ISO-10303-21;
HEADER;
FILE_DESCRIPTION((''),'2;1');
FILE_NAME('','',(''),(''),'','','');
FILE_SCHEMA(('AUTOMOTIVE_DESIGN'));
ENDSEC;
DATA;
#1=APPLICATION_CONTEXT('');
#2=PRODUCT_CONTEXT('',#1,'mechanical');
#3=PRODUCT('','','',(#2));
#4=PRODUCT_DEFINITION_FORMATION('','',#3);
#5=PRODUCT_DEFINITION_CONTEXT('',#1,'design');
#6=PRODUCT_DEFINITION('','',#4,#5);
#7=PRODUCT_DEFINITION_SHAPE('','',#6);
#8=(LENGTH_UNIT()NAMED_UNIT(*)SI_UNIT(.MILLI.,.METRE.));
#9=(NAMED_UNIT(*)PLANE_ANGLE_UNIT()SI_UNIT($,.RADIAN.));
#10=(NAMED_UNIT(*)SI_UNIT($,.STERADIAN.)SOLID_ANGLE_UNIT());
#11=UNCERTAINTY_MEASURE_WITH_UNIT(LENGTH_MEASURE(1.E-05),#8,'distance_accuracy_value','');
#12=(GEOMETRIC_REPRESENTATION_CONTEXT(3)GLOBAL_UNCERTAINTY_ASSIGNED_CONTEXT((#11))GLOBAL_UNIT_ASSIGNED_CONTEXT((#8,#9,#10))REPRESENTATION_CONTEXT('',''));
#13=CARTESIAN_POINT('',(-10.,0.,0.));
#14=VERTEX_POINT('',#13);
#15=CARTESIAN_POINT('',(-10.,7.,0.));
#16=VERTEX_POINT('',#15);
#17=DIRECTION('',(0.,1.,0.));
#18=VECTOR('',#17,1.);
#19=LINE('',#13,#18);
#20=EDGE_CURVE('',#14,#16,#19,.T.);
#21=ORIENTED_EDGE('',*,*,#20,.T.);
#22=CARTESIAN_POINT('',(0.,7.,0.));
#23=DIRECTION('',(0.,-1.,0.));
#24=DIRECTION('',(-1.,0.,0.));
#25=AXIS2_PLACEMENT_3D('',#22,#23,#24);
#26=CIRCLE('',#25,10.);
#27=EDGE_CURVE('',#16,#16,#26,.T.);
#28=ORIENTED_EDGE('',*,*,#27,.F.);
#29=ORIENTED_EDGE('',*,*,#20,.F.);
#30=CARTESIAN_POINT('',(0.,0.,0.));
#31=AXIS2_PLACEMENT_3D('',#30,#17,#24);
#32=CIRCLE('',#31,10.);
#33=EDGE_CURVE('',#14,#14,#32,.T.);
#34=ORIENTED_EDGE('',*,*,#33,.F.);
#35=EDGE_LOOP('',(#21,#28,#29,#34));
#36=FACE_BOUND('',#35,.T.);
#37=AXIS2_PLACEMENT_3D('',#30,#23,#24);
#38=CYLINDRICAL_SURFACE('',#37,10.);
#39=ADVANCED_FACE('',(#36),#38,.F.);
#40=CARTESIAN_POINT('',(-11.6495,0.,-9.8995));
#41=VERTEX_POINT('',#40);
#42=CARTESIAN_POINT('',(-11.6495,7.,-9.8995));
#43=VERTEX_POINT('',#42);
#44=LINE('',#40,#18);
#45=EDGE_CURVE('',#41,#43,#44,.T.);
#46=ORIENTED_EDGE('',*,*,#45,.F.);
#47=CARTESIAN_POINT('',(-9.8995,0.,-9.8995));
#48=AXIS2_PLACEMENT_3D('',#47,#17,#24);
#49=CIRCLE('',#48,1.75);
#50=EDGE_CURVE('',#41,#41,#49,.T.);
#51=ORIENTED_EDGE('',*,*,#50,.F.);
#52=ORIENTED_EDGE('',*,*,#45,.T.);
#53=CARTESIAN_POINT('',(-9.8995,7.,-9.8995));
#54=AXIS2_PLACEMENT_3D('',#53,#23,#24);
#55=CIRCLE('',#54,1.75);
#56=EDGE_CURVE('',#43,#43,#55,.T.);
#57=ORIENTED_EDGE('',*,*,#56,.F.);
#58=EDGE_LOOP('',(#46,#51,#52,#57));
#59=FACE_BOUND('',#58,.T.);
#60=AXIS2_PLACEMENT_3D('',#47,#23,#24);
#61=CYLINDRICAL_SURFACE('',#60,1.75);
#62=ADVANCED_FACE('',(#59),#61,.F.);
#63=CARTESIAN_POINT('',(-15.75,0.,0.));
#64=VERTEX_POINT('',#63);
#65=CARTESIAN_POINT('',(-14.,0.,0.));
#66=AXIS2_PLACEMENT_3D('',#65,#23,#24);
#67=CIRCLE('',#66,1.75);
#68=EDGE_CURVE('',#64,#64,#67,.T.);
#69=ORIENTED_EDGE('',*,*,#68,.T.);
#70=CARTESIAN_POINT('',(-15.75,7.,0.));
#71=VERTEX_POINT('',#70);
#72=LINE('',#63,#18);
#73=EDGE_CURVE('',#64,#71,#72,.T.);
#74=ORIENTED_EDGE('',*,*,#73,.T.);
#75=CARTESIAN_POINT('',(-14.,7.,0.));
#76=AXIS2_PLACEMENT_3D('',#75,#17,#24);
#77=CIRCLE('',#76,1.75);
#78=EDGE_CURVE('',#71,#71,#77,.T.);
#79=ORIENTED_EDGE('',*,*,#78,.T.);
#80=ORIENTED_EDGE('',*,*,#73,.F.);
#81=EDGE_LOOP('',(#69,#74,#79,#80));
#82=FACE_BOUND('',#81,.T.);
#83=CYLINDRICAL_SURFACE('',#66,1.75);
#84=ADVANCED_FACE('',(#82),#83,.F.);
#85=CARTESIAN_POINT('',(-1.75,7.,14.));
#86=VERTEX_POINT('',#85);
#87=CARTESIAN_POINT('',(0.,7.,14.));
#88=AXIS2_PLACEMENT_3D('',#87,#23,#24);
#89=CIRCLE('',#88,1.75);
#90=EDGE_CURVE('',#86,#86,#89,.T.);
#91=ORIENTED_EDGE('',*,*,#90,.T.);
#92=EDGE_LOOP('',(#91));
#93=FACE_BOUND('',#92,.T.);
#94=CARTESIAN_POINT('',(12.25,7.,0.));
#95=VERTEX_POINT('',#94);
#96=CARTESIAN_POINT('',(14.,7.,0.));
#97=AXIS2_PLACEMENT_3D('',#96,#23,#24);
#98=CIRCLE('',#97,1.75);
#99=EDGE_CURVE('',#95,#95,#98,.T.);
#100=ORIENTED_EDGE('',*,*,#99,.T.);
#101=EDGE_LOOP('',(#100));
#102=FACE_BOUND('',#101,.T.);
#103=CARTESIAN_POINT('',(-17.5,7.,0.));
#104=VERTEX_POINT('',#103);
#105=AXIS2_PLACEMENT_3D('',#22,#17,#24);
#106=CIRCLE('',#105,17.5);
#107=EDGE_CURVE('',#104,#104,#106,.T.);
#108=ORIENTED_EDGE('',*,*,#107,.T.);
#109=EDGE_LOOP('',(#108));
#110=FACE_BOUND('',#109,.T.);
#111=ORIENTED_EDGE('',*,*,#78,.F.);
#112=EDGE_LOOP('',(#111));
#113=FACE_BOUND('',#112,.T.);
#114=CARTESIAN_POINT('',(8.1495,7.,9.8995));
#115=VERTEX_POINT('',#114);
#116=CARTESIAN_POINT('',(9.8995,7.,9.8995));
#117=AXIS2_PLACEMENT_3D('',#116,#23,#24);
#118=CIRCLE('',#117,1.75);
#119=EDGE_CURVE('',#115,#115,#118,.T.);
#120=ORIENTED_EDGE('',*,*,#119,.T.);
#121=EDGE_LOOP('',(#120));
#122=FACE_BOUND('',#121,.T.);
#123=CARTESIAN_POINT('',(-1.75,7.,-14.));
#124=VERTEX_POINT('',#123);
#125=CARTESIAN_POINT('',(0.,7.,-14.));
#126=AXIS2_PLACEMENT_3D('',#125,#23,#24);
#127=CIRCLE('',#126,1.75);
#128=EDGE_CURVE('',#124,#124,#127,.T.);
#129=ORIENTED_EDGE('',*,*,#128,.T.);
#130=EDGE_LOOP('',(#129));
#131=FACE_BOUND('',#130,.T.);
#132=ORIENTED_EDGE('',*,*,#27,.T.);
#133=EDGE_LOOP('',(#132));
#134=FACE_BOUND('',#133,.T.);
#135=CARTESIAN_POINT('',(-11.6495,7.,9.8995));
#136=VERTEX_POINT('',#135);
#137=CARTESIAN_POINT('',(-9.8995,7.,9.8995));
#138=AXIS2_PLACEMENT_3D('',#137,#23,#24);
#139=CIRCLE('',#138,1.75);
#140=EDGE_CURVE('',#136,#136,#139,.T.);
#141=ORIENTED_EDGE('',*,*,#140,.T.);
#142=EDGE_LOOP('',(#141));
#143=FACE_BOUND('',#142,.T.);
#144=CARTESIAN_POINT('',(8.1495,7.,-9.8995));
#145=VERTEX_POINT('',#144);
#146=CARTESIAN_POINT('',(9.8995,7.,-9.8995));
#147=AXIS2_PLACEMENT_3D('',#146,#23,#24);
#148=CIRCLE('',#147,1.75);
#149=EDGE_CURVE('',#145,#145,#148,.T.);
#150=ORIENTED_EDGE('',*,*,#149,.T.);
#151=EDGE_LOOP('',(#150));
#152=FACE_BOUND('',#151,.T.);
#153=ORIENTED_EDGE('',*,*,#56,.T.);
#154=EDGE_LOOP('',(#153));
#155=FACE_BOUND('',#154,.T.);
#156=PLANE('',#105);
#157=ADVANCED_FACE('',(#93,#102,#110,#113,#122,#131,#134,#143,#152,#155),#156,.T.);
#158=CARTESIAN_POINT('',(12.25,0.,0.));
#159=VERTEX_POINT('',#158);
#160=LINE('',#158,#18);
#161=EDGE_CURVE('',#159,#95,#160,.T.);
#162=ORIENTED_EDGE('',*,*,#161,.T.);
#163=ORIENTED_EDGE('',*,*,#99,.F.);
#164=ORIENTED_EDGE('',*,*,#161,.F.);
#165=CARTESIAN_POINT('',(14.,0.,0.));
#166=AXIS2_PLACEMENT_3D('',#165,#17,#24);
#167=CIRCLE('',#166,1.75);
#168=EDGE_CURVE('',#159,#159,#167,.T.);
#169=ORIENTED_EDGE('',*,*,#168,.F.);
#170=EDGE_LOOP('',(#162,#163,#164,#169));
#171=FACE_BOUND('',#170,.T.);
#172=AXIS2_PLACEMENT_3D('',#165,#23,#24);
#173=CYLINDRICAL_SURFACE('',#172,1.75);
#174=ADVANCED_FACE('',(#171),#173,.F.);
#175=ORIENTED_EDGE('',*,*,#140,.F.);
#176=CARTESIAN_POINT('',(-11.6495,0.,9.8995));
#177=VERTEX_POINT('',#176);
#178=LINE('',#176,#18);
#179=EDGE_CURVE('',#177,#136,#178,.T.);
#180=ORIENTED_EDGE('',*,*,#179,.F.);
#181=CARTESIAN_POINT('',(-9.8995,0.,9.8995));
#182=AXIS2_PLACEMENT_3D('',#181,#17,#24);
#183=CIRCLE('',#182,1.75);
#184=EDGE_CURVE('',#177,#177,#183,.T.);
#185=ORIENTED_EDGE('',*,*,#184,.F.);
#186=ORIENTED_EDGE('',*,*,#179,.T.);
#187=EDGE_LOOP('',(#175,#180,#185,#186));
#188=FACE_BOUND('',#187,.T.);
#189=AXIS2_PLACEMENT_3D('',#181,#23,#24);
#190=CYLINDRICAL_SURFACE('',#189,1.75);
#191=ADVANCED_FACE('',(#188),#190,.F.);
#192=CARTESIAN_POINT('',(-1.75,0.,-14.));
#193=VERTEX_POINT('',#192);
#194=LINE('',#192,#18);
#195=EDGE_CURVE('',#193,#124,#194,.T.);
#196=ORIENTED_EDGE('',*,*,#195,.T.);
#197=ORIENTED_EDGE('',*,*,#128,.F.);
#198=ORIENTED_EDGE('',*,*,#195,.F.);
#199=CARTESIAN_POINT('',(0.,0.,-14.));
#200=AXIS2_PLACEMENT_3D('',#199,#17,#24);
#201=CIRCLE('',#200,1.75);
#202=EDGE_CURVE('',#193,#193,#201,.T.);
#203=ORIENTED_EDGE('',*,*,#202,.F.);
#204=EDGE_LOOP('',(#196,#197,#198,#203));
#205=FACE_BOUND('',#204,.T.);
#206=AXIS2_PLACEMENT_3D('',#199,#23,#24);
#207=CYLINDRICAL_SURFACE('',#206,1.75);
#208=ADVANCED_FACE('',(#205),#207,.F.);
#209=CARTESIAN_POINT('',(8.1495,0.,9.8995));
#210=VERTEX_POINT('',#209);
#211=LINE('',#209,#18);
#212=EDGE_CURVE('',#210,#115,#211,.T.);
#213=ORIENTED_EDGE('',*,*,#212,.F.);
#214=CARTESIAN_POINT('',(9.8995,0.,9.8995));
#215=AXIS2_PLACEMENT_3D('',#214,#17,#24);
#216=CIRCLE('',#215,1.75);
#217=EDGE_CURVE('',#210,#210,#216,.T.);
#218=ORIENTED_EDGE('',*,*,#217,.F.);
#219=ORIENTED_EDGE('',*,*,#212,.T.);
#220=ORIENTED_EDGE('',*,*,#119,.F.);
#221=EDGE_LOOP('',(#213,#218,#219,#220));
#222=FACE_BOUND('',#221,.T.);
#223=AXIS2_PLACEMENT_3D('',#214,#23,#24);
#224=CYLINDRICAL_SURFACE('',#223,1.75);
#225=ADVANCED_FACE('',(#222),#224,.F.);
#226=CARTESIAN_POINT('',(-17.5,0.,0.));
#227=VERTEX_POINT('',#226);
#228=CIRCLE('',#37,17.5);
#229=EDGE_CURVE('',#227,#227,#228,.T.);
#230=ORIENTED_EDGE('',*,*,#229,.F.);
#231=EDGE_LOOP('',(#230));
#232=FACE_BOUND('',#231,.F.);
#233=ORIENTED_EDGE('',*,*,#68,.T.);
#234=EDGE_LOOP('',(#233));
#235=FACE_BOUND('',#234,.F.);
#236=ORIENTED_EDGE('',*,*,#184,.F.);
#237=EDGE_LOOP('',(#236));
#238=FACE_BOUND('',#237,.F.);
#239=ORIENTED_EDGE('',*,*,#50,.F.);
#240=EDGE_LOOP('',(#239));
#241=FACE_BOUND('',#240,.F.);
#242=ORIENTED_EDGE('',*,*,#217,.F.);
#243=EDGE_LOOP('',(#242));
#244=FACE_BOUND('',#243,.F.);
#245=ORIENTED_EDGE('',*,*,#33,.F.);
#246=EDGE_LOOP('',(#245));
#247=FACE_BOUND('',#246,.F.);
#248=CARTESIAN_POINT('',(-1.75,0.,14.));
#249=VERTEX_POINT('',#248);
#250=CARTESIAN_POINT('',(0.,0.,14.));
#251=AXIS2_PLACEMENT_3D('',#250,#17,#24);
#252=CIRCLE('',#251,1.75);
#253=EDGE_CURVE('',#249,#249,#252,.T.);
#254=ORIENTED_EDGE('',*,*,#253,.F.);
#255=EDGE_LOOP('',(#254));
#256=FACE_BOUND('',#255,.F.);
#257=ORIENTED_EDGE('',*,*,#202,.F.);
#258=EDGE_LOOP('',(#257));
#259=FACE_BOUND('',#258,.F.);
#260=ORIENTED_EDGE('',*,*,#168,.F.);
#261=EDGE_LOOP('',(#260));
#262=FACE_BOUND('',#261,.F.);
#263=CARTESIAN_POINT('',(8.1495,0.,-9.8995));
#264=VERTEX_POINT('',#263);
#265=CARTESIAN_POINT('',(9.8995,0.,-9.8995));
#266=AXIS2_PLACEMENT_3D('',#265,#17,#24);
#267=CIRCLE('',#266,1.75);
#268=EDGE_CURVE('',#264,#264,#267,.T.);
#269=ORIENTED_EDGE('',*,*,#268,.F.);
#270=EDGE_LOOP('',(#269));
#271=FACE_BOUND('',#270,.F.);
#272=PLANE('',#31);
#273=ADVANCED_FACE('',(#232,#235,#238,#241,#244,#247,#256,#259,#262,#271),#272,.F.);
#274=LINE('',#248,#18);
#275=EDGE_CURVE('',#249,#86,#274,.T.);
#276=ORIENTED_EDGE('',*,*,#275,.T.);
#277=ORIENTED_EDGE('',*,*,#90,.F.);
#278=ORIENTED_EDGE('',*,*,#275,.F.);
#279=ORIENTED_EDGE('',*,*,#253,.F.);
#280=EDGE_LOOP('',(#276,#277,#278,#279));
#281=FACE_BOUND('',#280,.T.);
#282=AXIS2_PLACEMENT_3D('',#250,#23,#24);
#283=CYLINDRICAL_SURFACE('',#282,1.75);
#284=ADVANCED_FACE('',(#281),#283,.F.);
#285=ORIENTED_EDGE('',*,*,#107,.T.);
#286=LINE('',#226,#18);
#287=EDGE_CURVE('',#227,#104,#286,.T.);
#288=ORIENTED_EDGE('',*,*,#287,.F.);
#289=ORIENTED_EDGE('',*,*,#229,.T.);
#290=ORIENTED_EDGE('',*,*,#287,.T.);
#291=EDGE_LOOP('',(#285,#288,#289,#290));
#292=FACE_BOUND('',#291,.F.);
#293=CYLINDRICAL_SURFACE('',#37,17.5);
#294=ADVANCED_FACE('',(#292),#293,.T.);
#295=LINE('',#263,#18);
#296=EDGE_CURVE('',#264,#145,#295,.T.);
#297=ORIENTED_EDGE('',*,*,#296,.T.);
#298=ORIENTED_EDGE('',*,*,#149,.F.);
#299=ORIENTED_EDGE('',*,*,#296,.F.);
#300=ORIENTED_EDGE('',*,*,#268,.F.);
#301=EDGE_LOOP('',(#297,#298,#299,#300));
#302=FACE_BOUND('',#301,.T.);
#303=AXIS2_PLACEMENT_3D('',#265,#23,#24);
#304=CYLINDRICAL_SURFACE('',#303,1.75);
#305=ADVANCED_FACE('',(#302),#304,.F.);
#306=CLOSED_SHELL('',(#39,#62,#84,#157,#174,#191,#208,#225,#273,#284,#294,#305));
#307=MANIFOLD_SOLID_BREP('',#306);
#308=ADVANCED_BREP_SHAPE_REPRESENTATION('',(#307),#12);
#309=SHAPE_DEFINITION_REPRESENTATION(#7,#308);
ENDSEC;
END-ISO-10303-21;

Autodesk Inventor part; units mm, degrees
ref_plane "YZ Plane" through (0, 0, 0) normal (1, 0, 0) x (0, 1, 0)
ref_plane "XZ Plane" through (0, 0, 0) normal (0, 1, 0) x (-1, 0, 0)
ref_plane "XY Plane" through (0, 0, 0) normal (0, 0, 1) x (1, 0, 0)
sketch "Szkic1" plane through (0, 0, 0) normal (0, 1, 0) x (-1, 0, 0)
  circle A0 centre (0, 0) radius 10
  circle A1 centre (0, 0) radius 17.5
  line L0 (0, 17.5) -> (0, -17.5)
  line L1 (-17.5, 0) -> (17.5, 0)
  circle A2 centre (2.5, 2.5) radius 0.5
  circle A3 centre (2.5, -2.5) radius 0.5
  circle A4 centre (-2.5, 2.5) radius 0.5
  circle A5 centre (-2.5, -2.5) radius 0.5
  circle A6 centre (0, 14) radius 1.75
  circle A7 centre (0, -14) radius 1.75
  circle A8 centre (14, 0) radius 1.75
  circle A9 centre (-14, 0) radius 1.75
  line L2 (-2.5, -2.5) -> (-12.3744, -12.3744)
  line L3 (2.5, 2.5) -> (12.3744, 12.3744)
  line L4 (2.5, -2.5) -> (12.3744, -12.3744)
  line L5 (-2.5, 2.5) -> (-12.3744, 12.3744)
  circle A10 centre (9.8995, 9.8995) radius 1.75
  circle A11 centre (-9.8995, -9.8995) radius 1.75
  line L6 (-2.5, 2.5) -> (2.5, -2.5)
  line L7 (2.5, 2.5) -> (-2.5, -2.5)
  circle A12 centre (-9.8995, 9.8995) radius 1.75
  circle A13 centre (9.8995, -9.8995) radius 1.75
  dimension "d1" = 35
  dimension "d0" = 20
  dimension "d2" = 1
  dimension "d3" = 5
  dimension "d4" = 5
  dimension "d5" = 28
  dimension "d6" = 3.5
  dimension "d7" = 28
  dimension "d8" = 3.5
  dimension "d9" = 3.5
  dimension "d11" = 19.799
  dimension "d16" = 3.5
extrude "Wyciągnięcie proste2" add sketch "Szkic1" along normal blind 7 contours L1 A8 A1 L4 A13 A0 | A0 L3 A10 A1 L1 A8 | A0 L0 A6 A1 L3 A10 | L4 A13 A1 L0 A7 A0 | A0 L5 A12 A1 L0 A6 | L0 A7 A1 L2 A11 A0 | L1 A9 A1 L5 A12 A0 | A0 L2 A11 A1 L1 A9
properties part number "Forma_dol"
